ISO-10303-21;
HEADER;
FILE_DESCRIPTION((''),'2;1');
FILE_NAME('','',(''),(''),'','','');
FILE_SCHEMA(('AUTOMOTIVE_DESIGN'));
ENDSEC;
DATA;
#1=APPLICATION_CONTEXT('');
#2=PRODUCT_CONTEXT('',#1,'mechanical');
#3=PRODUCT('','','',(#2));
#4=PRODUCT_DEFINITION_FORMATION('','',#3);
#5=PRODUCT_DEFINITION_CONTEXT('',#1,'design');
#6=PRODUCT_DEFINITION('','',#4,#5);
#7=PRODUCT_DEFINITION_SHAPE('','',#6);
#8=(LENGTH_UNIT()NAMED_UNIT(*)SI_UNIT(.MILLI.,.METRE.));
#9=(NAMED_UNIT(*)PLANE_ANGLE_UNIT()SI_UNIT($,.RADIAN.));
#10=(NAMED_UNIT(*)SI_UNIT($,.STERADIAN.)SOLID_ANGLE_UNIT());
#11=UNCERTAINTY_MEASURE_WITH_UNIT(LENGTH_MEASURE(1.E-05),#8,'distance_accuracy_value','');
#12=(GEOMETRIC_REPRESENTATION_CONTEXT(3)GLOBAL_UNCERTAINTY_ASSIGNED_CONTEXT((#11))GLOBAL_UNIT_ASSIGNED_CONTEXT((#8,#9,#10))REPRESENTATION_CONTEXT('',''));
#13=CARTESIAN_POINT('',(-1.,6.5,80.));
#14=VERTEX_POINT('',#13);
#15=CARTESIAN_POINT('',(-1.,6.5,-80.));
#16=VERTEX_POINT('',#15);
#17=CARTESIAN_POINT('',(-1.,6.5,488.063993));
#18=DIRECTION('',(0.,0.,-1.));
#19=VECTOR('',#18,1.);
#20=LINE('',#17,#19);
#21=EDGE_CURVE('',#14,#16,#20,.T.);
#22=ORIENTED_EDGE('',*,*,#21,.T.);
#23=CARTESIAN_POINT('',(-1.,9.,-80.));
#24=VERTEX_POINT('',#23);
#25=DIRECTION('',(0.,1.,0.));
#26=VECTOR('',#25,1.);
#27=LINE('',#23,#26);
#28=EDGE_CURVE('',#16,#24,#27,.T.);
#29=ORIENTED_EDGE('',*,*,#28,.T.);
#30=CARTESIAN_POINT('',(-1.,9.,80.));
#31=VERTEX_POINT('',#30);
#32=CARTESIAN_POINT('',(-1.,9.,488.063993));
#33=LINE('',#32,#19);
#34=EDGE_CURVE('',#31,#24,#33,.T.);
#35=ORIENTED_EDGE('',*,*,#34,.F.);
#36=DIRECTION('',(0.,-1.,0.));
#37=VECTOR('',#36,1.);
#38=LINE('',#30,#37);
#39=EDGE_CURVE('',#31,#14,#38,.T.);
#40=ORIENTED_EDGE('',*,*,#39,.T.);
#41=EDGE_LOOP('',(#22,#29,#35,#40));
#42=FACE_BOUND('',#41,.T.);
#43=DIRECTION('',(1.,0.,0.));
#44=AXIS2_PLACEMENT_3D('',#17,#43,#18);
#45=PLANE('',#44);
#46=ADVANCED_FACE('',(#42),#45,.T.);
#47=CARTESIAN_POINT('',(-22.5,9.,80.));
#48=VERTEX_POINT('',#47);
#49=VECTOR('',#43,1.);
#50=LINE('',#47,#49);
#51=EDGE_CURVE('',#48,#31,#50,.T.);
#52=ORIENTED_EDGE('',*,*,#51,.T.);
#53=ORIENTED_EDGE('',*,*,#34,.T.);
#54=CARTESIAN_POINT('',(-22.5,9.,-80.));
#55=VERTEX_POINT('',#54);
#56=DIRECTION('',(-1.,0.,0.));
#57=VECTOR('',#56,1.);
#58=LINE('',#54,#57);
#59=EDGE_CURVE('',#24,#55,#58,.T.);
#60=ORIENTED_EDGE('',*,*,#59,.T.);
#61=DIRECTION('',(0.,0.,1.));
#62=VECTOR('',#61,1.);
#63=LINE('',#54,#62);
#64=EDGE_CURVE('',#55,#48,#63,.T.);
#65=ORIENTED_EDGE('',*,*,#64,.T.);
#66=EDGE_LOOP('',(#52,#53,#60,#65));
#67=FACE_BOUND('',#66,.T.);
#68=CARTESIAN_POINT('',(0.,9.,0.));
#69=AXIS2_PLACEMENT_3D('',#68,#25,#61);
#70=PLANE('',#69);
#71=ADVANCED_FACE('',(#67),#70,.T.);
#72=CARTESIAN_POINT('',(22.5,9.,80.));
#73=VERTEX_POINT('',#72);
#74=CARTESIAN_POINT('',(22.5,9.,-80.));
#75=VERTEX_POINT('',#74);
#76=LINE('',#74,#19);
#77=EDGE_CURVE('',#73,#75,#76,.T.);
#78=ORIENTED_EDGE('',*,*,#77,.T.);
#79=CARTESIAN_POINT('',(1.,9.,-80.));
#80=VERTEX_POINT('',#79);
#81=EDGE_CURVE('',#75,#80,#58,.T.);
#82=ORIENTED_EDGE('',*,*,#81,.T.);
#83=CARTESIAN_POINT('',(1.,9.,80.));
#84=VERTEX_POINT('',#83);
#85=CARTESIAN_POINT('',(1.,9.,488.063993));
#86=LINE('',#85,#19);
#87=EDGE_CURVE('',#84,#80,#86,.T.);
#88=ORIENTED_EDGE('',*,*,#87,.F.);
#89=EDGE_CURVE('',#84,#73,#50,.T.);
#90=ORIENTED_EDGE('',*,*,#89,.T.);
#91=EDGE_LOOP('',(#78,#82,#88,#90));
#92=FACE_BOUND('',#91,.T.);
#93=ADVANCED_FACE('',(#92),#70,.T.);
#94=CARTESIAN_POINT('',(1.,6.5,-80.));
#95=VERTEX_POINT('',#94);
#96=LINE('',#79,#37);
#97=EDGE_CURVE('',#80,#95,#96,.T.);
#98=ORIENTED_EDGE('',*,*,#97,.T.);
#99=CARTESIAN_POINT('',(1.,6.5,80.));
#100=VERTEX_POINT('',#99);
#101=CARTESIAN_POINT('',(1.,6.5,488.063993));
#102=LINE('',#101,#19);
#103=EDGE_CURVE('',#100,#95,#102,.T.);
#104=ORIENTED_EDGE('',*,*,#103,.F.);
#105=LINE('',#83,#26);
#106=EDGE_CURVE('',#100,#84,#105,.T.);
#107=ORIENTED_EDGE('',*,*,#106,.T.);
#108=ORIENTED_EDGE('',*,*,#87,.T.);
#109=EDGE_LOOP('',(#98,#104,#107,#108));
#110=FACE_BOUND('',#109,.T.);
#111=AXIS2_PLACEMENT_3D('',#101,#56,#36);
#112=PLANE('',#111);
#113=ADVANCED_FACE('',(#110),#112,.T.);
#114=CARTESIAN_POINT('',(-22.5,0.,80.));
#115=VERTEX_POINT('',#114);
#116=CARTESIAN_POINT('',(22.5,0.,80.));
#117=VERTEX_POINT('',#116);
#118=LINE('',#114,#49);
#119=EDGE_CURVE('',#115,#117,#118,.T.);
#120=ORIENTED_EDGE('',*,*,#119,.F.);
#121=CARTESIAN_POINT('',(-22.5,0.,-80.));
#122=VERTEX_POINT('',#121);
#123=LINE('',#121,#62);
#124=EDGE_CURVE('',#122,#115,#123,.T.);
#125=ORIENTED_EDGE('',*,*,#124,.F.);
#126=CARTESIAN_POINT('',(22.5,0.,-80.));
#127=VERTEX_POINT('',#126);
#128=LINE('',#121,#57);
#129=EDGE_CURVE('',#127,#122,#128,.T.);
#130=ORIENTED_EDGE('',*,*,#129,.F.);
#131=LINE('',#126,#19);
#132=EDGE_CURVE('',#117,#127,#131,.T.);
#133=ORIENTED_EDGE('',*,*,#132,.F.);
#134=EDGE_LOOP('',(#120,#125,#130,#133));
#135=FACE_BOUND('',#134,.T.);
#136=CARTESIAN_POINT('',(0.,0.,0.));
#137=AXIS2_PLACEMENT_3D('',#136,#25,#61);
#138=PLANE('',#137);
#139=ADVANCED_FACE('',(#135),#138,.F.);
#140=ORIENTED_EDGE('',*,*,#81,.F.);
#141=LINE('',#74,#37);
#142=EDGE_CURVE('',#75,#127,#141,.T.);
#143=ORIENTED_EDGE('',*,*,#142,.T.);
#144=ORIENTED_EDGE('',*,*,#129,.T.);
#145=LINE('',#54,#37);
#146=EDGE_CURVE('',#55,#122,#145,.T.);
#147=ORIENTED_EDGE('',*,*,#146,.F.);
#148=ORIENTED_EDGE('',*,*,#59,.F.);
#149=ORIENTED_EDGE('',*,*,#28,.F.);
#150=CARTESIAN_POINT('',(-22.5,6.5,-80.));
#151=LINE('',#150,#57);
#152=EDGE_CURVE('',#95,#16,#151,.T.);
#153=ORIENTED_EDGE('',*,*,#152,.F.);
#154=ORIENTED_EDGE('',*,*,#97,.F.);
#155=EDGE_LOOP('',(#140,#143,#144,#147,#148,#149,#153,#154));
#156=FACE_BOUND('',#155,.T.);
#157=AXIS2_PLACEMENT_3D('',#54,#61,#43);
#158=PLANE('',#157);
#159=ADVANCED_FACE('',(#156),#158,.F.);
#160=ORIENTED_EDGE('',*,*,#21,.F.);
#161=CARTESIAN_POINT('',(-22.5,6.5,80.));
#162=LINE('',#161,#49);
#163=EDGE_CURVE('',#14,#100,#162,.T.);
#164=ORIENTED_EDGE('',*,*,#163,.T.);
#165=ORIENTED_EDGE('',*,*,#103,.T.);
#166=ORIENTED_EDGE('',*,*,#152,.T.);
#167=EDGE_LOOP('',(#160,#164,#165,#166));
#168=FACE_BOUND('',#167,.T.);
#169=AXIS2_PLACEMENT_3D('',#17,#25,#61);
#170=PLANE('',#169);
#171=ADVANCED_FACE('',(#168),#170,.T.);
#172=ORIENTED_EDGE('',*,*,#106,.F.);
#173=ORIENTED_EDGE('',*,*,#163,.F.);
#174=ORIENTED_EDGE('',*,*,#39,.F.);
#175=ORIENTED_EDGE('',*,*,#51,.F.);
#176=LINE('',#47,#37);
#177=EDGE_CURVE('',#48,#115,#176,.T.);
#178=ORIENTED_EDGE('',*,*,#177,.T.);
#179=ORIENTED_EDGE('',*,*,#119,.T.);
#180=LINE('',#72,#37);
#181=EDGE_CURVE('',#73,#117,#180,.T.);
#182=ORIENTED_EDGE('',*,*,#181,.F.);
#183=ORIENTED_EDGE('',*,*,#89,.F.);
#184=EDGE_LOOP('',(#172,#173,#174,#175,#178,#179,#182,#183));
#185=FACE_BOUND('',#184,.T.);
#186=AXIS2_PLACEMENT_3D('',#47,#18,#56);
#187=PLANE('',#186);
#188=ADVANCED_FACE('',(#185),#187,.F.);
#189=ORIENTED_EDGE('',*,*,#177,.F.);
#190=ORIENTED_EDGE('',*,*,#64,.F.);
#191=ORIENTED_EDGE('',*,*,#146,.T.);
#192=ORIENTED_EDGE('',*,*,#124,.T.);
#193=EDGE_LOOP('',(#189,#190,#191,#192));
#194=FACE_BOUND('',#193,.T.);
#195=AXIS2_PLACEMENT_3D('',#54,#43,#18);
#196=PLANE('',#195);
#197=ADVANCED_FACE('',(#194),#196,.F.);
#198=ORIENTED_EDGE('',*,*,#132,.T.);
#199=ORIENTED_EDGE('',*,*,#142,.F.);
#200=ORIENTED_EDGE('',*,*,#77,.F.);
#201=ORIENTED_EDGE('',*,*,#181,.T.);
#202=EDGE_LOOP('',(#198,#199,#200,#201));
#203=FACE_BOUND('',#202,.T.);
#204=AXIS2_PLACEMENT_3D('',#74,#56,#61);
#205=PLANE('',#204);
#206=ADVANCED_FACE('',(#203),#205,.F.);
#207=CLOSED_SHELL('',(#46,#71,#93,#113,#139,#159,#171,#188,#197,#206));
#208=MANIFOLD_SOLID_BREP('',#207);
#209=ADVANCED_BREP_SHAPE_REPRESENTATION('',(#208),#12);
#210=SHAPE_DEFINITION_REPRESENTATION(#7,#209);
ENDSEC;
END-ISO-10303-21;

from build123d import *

# Parameters (mm, degrees)
ESQUISSE1_W                  = 45
ESQUISSE1_H                  = 160
BOSS_EXTRU_1_DEPTH           = 9
ENL_V_MAT_EXTRU_1_DEPTH      = 162.824750888
ENL_V_MAT_EXTRU_1_DEPTH_BACK = 162.824750888


with BuildPart() as part:
    # Esquisse1 → Boss.-Extru.1 (new body)
    with BuildSketch(Plane(origin=(0, 0, 0), x_dir=(1, 0, 0), z_dir=(0, 1, 0))):
        Rectangle(ESQUISSE1_W, ESQUISSE1_H)
    extrude(amount=BOSS_EXTRU_1_DEPTH)

    # Esquisse3 → Enlèv. mat.-Extru.1 (cut, two sides: drawn at the far end of the back side and taken through both)
    with BuildSketch(Plane.XY.offset(80).offset(-ENL_V_MAT_EXTRU_1_DEPTH_BACK)):
        Polygon((-1, 69.328918129), (-1, 9), (-1, 6.5), (1, 6.5), (1, 9), (1, 69.328918129), (1, 189.986754386), (-1, 189.986754386), align=None)
    extrude(amount=ENL_V_MAT_EXTRU_1_DEPTH + ENL_V_MAT_EXTRU_1_DEPTH_BACK, mode=Mode.SUBTRACT)


solid = part.part
